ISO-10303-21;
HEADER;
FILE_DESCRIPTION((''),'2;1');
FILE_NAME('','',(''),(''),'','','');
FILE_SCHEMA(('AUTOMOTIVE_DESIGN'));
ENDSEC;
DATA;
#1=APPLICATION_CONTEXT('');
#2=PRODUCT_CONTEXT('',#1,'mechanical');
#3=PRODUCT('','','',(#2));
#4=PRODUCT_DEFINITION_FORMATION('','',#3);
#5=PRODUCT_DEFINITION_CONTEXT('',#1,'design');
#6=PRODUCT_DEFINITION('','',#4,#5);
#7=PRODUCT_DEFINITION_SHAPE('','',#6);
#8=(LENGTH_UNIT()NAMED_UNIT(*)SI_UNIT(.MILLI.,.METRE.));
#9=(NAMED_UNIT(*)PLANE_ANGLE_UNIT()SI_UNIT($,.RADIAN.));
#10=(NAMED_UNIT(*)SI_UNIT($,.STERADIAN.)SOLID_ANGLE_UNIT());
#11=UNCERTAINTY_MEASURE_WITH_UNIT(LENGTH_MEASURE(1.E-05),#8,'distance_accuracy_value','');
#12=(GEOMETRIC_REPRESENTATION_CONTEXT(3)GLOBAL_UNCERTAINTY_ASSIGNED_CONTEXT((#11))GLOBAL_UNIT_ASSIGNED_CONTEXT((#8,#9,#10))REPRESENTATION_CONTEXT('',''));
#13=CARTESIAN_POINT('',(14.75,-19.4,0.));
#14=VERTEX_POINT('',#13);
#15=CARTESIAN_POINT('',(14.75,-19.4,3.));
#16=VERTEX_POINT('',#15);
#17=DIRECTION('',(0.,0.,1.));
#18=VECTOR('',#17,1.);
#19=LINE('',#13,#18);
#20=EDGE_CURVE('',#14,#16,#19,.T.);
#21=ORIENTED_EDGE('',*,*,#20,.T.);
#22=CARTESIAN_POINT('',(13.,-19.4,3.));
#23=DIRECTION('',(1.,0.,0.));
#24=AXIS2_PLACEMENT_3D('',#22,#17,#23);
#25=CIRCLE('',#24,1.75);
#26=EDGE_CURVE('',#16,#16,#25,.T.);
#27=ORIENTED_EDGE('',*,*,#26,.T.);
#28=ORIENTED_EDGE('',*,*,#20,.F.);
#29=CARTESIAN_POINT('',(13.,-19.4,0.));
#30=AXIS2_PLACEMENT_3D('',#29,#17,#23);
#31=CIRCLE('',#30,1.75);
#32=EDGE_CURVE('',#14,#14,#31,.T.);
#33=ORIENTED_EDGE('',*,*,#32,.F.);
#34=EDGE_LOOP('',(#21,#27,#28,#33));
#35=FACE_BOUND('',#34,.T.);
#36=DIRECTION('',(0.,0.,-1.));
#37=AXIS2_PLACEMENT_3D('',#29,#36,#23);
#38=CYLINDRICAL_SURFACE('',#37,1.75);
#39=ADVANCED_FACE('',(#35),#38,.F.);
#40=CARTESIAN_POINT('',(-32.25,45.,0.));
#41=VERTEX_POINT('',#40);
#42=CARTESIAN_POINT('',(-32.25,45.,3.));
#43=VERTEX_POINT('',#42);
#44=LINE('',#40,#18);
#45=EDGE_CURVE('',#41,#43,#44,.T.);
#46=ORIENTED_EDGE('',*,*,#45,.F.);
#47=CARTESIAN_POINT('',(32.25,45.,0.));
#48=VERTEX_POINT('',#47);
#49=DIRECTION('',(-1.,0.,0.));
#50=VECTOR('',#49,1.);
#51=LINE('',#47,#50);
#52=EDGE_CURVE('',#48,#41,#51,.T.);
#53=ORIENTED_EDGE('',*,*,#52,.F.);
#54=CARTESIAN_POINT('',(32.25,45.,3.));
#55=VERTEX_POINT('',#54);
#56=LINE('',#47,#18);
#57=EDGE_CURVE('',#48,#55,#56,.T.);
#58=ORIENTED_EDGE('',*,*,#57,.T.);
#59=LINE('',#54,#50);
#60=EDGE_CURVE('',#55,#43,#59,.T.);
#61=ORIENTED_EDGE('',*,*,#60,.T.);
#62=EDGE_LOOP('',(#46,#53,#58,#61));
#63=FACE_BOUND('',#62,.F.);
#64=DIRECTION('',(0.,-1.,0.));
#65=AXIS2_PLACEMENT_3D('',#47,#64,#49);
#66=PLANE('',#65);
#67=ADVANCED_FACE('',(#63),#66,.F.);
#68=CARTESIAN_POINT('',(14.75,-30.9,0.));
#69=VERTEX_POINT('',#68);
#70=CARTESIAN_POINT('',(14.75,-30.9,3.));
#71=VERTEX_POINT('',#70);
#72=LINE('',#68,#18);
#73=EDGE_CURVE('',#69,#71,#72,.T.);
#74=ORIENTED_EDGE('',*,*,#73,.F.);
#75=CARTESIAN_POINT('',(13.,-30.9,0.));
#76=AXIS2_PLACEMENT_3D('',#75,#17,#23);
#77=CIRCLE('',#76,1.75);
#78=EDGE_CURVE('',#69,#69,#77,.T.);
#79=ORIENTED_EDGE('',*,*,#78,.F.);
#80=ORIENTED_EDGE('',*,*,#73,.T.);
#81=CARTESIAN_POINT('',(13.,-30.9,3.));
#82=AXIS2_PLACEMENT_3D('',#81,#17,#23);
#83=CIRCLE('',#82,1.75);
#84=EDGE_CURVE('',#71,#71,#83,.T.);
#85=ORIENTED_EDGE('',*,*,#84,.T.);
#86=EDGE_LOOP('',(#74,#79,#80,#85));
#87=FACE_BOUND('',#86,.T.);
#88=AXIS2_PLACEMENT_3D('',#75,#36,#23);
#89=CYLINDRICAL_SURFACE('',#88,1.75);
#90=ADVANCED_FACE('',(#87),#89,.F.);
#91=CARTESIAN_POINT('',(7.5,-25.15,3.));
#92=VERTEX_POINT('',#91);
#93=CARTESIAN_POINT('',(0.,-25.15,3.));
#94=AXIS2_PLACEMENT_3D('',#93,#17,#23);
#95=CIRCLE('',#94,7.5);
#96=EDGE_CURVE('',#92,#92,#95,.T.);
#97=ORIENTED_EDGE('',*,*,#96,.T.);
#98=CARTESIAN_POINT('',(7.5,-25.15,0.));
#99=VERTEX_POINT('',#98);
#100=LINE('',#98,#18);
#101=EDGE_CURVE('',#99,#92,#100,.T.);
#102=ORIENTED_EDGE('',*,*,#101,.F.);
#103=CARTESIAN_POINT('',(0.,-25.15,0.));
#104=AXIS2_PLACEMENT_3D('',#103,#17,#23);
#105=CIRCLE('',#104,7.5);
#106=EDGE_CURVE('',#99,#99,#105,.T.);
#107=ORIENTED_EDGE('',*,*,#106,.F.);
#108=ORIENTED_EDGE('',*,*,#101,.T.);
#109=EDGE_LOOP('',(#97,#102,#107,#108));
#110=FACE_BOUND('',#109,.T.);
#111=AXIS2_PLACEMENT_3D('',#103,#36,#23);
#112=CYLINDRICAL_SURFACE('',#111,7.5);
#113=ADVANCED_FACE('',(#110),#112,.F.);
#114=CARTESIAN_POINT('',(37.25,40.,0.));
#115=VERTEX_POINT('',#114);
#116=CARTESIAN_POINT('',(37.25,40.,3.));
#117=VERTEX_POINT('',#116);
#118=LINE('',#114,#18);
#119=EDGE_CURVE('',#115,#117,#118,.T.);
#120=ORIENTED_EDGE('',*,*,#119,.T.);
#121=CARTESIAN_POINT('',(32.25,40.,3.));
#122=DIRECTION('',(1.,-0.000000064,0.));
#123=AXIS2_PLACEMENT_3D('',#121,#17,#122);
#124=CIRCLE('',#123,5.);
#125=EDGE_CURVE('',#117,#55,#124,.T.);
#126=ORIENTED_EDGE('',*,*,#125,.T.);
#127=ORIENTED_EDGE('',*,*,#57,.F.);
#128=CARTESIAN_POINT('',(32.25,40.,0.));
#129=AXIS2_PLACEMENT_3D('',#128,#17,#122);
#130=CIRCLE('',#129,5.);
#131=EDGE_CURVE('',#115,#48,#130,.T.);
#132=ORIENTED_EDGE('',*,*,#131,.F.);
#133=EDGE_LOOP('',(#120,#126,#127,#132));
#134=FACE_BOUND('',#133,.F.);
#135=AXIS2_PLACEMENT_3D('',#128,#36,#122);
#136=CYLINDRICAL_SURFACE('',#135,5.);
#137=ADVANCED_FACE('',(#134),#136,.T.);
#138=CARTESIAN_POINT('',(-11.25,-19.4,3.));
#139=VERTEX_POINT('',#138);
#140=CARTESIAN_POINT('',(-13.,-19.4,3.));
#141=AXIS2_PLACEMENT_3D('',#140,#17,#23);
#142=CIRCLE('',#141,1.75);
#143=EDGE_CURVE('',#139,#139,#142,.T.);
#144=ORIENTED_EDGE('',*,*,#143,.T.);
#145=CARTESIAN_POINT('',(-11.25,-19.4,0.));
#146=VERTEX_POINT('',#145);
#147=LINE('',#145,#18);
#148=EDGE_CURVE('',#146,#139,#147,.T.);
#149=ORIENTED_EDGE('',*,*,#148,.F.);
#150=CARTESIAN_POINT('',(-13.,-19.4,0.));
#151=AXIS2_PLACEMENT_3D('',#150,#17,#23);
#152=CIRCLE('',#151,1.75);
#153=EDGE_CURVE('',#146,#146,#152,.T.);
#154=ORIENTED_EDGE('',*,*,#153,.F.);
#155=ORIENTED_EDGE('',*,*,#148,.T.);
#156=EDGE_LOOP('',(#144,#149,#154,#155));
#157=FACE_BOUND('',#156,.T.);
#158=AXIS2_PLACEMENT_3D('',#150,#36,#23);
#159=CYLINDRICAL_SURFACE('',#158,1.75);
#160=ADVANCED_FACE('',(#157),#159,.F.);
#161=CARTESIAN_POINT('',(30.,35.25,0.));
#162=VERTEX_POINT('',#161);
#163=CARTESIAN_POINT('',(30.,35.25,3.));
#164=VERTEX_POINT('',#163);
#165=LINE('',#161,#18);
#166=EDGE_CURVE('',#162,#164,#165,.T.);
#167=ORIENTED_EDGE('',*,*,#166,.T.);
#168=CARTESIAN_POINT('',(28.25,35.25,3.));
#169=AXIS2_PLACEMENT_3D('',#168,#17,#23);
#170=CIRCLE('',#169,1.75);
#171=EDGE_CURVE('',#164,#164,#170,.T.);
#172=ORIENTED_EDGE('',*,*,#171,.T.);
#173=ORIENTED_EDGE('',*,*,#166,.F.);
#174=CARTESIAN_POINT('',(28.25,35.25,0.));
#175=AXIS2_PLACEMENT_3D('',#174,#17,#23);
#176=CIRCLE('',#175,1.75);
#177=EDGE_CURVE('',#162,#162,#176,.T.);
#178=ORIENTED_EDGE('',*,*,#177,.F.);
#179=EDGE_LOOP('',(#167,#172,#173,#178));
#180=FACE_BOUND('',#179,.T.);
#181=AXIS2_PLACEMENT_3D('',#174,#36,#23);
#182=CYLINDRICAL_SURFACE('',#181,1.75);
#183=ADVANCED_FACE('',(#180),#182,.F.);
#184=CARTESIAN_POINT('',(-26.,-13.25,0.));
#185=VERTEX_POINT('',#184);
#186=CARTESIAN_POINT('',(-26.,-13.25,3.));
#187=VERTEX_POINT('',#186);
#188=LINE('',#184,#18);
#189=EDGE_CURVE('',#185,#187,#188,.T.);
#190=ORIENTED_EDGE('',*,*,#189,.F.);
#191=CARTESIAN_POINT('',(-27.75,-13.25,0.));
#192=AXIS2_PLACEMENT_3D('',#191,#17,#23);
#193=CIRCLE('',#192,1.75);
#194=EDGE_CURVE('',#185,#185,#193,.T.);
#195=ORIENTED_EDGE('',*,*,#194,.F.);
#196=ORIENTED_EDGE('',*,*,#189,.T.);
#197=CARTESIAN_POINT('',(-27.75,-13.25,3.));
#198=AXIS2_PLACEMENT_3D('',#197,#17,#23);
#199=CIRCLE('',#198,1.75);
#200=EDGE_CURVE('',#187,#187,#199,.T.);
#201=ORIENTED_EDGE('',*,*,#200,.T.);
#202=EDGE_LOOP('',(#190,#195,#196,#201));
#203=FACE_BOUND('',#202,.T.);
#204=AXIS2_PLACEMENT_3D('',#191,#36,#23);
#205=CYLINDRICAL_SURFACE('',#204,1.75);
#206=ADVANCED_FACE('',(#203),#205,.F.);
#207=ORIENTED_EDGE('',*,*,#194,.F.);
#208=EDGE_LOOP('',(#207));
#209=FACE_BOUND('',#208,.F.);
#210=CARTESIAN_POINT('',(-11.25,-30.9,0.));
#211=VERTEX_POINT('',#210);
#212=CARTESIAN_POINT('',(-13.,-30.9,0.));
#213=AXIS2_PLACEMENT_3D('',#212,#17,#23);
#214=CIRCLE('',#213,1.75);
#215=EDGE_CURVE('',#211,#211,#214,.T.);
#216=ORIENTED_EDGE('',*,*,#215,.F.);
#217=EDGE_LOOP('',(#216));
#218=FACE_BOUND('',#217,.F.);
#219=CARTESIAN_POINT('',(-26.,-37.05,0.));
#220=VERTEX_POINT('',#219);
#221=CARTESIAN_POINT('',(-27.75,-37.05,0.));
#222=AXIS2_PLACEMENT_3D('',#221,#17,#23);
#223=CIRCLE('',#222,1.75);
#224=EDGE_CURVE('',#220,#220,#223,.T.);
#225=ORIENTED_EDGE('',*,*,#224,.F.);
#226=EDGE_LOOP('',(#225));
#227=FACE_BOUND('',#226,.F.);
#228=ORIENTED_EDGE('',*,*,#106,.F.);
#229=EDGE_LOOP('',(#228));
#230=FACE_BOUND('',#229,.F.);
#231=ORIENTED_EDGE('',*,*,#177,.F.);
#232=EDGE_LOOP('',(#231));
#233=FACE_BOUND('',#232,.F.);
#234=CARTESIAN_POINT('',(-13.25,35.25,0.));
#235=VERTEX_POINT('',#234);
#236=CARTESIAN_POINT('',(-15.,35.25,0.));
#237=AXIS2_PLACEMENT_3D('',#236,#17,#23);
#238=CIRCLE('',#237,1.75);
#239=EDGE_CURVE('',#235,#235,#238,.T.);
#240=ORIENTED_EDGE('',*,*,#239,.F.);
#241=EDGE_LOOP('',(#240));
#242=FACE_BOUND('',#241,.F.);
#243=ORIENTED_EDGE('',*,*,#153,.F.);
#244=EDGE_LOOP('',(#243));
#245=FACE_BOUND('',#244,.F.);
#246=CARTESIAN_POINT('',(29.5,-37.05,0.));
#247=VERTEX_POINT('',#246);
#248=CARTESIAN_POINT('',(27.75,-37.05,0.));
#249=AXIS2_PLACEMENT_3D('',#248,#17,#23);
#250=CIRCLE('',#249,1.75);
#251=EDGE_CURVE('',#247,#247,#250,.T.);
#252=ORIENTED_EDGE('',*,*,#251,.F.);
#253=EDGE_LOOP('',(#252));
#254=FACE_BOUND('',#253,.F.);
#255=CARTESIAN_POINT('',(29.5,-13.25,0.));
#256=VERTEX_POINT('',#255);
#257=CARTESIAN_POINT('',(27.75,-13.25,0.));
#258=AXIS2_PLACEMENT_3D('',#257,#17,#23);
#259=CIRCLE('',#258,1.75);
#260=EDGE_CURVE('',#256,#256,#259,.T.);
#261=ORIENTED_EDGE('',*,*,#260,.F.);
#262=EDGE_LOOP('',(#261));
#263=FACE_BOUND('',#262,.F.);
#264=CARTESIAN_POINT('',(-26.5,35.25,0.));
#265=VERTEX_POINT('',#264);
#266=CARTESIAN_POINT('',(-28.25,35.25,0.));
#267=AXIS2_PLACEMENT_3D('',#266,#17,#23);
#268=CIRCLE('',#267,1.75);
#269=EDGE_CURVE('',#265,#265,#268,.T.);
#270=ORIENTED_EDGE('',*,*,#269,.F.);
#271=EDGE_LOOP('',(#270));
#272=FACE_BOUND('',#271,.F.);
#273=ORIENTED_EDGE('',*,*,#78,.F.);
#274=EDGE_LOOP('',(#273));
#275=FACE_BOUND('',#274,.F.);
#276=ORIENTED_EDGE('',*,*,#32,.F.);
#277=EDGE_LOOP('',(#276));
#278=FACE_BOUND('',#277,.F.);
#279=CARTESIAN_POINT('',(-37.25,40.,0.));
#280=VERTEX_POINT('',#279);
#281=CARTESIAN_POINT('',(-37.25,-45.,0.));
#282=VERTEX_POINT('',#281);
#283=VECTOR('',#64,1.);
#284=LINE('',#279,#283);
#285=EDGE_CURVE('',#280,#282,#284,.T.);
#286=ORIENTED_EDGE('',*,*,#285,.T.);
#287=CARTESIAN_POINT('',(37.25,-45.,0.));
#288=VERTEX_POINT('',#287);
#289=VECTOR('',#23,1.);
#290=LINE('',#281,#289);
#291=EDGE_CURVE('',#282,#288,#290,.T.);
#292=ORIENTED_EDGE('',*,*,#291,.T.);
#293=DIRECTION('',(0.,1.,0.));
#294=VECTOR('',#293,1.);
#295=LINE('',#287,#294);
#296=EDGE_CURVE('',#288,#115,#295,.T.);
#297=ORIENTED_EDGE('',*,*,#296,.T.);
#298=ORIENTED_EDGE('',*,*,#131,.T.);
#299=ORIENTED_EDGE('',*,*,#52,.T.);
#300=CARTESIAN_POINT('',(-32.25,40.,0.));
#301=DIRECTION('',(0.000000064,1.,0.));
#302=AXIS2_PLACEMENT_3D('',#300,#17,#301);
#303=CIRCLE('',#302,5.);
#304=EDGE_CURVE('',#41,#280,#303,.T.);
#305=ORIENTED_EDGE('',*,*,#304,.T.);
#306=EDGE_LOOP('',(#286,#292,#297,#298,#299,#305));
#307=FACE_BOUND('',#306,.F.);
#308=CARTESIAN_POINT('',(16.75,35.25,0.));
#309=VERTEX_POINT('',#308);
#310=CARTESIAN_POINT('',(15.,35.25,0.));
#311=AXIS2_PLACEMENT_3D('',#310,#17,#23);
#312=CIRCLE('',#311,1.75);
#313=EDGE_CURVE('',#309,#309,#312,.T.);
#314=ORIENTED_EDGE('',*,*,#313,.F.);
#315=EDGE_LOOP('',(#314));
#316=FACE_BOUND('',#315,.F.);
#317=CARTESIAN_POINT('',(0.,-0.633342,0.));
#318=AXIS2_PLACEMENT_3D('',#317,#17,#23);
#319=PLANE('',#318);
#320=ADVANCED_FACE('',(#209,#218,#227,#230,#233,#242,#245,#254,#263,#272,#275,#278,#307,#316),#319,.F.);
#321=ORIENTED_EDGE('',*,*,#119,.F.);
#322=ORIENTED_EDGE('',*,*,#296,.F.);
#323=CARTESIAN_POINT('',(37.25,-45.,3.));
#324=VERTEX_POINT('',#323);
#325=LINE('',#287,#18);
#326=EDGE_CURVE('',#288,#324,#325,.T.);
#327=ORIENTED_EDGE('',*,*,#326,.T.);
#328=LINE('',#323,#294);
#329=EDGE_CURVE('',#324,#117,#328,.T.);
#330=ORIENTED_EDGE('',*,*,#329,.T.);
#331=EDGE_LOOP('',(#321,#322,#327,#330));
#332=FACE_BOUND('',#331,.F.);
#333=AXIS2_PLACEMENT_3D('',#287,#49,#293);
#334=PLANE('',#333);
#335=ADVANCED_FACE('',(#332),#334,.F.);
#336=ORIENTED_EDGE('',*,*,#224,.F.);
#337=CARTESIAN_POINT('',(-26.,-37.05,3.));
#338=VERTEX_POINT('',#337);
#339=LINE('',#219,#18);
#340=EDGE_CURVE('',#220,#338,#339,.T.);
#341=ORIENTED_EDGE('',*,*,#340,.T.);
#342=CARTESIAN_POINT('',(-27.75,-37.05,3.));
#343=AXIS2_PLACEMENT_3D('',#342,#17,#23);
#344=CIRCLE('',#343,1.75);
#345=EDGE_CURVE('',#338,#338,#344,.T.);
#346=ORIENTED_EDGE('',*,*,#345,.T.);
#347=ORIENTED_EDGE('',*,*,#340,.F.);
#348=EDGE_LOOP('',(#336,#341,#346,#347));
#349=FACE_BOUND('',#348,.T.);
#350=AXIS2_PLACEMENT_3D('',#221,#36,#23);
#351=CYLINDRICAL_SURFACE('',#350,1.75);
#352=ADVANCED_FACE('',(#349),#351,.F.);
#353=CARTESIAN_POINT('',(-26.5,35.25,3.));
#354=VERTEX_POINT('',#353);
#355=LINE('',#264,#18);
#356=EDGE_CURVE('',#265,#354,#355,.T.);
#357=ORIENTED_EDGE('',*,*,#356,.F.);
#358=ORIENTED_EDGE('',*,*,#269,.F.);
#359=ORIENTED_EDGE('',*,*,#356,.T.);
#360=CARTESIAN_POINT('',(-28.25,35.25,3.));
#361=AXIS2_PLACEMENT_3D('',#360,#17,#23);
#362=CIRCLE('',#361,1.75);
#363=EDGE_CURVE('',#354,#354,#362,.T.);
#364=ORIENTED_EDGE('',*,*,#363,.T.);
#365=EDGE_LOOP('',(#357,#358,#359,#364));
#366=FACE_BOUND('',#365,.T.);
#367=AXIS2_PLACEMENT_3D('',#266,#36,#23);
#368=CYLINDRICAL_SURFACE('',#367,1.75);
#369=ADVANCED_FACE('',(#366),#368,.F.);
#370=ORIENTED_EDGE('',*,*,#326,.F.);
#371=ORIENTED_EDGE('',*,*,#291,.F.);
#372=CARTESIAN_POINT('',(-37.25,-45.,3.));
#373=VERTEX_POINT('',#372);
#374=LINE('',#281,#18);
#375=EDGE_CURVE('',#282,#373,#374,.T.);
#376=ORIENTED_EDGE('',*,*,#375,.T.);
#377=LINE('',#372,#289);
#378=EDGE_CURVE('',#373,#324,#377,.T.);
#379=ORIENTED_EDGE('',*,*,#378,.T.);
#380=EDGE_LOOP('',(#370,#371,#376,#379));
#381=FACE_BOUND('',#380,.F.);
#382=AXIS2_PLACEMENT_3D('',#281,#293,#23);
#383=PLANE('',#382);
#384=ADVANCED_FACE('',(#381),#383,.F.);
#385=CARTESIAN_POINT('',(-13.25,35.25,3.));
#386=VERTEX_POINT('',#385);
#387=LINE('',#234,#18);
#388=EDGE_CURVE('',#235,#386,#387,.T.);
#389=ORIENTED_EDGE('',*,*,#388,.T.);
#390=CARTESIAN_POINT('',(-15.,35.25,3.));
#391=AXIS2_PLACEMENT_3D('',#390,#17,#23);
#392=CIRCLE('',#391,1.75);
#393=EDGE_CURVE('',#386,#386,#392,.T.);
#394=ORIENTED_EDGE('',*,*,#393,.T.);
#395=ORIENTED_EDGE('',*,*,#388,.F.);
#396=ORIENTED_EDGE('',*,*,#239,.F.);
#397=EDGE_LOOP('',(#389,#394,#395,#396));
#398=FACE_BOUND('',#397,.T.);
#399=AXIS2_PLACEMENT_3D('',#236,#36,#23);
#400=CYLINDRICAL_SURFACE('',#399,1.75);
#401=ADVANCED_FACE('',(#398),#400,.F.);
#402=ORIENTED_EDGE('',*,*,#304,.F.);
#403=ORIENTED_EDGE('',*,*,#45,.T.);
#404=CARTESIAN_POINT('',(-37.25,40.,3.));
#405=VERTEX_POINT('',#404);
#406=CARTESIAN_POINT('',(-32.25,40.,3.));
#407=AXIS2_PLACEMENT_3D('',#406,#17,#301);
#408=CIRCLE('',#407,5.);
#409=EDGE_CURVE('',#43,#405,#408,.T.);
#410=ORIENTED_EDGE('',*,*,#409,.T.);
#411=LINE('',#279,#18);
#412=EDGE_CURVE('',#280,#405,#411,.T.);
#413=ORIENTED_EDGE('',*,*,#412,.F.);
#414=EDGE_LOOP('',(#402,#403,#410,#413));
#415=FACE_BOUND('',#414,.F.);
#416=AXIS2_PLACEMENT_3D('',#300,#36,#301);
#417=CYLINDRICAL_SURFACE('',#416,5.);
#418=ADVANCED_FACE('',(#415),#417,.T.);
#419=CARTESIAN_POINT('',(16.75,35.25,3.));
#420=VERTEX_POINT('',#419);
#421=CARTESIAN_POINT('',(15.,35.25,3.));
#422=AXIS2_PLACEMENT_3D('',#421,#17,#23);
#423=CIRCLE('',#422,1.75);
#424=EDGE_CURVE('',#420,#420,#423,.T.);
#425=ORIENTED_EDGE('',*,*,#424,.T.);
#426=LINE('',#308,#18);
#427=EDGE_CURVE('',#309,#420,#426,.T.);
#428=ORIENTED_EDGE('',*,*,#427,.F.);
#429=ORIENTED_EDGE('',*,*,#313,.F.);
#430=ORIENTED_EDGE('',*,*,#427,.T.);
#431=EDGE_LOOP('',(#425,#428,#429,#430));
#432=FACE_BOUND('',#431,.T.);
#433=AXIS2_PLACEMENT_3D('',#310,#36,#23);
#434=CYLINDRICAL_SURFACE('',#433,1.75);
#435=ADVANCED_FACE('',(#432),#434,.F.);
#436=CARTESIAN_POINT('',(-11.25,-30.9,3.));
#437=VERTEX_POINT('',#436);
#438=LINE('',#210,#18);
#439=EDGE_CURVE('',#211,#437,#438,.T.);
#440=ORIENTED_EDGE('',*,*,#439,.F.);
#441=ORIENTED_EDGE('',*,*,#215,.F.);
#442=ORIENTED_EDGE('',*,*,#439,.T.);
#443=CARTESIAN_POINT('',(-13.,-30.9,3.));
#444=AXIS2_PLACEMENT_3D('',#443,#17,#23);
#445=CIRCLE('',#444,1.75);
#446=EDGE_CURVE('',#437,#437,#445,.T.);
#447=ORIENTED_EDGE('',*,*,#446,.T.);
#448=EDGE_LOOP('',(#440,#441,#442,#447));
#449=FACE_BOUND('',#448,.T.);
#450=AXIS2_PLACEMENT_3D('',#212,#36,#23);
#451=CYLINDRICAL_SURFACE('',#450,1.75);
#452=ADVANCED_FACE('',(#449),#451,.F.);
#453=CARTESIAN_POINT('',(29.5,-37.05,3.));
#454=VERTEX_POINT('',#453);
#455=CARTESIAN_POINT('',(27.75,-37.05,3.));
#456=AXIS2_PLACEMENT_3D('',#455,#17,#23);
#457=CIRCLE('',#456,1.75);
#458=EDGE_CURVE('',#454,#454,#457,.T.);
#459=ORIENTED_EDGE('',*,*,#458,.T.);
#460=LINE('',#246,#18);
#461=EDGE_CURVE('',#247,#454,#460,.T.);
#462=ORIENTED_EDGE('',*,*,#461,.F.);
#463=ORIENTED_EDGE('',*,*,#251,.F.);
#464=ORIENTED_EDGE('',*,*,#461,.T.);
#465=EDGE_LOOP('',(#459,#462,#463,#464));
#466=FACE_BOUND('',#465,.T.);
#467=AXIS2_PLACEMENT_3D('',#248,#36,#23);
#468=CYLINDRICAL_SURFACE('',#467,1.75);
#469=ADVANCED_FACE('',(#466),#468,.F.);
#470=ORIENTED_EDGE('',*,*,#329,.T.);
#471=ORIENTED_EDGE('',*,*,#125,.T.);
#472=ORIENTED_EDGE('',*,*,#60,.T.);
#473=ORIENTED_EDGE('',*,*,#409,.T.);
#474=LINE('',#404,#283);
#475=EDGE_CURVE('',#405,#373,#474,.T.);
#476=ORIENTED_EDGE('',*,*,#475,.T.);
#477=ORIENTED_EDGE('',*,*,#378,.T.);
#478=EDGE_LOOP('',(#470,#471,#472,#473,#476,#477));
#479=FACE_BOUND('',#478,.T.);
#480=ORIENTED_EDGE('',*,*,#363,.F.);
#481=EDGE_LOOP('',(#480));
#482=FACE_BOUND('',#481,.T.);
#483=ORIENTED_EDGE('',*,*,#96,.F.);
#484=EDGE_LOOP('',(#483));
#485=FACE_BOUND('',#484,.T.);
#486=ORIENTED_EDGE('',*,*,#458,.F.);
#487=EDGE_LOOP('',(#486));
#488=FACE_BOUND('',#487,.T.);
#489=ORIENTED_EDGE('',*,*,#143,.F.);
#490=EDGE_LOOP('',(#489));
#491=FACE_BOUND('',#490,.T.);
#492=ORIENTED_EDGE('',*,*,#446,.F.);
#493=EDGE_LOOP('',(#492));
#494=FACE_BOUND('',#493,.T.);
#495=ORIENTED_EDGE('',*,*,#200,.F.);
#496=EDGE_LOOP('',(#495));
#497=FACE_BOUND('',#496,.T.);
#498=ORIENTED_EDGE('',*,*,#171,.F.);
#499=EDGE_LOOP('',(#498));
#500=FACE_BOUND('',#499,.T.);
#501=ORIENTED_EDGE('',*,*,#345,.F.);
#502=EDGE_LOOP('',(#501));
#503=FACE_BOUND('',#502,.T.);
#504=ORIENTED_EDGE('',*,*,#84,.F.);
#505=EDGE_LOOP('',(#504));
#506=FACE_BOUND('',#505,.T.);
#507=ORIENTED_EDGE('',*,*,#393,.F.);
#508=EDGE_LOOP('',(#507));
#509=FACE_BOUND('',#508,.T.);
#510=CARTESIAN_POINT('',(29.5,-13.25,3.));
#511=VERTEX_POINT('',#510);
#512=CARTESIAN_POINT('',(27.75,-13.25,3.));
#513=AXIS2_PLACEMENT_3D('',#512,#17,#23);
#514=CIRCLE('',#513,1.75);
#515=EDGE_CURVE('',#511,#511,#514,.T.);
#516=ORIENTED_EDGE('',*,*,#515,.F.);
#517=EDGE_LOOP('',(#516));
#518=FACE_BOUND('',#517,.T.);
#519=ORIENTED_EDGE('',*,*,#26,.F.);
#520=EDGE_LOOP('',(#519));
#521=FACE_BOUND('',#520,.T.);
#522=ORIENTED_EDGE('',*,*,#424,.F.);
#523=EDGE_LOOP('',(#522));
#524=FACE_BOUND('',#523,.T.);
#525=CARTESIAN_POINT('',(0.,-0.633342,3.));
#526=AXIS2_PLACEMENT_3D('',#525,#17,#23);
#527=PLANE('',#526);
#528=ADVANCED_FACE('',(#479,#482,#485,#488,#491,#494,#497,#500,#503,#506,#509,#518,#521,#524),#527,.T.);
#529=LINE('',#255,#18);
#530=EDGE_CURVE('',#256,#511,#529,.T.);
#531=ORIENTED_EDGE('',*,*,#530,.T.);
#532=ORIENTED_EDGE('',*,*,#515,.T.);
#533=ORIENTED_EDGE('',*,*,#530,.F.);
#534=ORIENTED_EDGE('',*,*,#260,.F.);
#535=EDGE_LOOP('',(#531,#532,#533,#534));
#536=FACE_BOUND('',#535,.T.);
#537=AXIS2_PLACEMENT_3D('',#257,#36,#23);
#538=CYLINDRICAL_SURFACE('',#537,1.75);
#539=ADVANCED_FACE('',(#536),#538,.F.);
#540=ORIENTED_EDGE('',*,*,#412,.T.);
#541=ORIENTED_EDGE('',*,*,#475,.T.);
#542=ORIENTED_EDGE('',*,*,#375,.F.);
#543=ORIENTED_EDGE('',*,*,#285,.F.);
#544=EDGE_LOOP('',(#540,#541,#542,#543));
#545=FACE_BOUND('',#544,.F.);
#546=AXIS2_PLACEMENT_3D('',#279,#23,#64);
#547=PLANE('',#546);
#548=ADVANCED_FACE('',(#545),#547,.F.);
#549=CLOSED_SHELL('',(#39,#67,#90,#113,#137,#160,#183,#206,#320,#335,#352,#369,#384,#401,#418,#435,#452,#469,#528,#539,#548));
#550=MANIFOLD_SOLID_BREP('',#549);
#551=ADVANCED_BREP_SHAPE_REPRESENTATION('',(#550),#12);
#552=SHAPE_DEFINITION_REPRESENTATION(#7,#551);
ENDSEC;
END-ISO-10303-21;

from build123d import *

# Parameters (mm, degrees)
F0_R     = 1.75
F0_R_2   = 7.5
F1_DEPTH = 3


with BuildPart() as f1:
    # F0 (on Top) → F1 (new body)
    with BuildSketch(Plane.XY):
        with BuildLine():
            Line((-37.25, -45), (37.25, -45))
            Line((37.25, -45), (37.25, 40))
            ThreePointArc((37.25, 40), (35.785534, 43.535534), (32.25, 45))
            Line((32.25, 45), (-32.25, 45))
            ThreePointArc((-32.25, 45), (-35.785534, 43.535534), (-37.25, 40))
            Line((-37.25, 40), (-37.25, -45))
        make_face()
        with Locations((-27.75, -37.05)):
            Circle(F0_R, mode=Mode.SUBTRACT)
        with Locations((-13, -30.9)):
            Circle(F0_R, mode=Mode.SUBTRACT)
        with Locations((-27.75, -13.25)):
            Circle(F0_R, mode=Mode.SUBTRACT)
        with Locations((-13, -19.4)):
            Circle(F0_R, mode=Mode.SUBTRACT)
        with Locations((0, -25.15)):
            Circle(F0_R_2, mode=Mode.SUBTRACT)
        with Locations((13, -30.9)):
            Circle(F0_R, mode=Mode.SUBTRACT)
        with Locations((27.75, -37.05)):
            Circle(F0_R, mode=Mode.SUBTRACT)
        with Locations((13, -19.4)):
            Circle(F0_R, mode=Mode.SUBTRACT)
        with Locations((27.75, -13.25)):
            Circle(F0_R, mode=Mode.SUBTRACT)
        with Locations((-28.25, 35.25)):
            Circle(F0_R, mode=Mode.SUBTRACT)
        with Locations((-15, 35.25)):
            Circle(F0_R, mode=Mode.SUBTRACT)
        with Locations((15, 35.25)):
            Circle(F0_R, mode=Mode.SUBTRACT)
        with Locations((28.25, 35.25)):
            Circle(F0_R, mode=Mode.SUBTRACT)
    extrude(amount=F1_DEPTH)


solid = f1.part
